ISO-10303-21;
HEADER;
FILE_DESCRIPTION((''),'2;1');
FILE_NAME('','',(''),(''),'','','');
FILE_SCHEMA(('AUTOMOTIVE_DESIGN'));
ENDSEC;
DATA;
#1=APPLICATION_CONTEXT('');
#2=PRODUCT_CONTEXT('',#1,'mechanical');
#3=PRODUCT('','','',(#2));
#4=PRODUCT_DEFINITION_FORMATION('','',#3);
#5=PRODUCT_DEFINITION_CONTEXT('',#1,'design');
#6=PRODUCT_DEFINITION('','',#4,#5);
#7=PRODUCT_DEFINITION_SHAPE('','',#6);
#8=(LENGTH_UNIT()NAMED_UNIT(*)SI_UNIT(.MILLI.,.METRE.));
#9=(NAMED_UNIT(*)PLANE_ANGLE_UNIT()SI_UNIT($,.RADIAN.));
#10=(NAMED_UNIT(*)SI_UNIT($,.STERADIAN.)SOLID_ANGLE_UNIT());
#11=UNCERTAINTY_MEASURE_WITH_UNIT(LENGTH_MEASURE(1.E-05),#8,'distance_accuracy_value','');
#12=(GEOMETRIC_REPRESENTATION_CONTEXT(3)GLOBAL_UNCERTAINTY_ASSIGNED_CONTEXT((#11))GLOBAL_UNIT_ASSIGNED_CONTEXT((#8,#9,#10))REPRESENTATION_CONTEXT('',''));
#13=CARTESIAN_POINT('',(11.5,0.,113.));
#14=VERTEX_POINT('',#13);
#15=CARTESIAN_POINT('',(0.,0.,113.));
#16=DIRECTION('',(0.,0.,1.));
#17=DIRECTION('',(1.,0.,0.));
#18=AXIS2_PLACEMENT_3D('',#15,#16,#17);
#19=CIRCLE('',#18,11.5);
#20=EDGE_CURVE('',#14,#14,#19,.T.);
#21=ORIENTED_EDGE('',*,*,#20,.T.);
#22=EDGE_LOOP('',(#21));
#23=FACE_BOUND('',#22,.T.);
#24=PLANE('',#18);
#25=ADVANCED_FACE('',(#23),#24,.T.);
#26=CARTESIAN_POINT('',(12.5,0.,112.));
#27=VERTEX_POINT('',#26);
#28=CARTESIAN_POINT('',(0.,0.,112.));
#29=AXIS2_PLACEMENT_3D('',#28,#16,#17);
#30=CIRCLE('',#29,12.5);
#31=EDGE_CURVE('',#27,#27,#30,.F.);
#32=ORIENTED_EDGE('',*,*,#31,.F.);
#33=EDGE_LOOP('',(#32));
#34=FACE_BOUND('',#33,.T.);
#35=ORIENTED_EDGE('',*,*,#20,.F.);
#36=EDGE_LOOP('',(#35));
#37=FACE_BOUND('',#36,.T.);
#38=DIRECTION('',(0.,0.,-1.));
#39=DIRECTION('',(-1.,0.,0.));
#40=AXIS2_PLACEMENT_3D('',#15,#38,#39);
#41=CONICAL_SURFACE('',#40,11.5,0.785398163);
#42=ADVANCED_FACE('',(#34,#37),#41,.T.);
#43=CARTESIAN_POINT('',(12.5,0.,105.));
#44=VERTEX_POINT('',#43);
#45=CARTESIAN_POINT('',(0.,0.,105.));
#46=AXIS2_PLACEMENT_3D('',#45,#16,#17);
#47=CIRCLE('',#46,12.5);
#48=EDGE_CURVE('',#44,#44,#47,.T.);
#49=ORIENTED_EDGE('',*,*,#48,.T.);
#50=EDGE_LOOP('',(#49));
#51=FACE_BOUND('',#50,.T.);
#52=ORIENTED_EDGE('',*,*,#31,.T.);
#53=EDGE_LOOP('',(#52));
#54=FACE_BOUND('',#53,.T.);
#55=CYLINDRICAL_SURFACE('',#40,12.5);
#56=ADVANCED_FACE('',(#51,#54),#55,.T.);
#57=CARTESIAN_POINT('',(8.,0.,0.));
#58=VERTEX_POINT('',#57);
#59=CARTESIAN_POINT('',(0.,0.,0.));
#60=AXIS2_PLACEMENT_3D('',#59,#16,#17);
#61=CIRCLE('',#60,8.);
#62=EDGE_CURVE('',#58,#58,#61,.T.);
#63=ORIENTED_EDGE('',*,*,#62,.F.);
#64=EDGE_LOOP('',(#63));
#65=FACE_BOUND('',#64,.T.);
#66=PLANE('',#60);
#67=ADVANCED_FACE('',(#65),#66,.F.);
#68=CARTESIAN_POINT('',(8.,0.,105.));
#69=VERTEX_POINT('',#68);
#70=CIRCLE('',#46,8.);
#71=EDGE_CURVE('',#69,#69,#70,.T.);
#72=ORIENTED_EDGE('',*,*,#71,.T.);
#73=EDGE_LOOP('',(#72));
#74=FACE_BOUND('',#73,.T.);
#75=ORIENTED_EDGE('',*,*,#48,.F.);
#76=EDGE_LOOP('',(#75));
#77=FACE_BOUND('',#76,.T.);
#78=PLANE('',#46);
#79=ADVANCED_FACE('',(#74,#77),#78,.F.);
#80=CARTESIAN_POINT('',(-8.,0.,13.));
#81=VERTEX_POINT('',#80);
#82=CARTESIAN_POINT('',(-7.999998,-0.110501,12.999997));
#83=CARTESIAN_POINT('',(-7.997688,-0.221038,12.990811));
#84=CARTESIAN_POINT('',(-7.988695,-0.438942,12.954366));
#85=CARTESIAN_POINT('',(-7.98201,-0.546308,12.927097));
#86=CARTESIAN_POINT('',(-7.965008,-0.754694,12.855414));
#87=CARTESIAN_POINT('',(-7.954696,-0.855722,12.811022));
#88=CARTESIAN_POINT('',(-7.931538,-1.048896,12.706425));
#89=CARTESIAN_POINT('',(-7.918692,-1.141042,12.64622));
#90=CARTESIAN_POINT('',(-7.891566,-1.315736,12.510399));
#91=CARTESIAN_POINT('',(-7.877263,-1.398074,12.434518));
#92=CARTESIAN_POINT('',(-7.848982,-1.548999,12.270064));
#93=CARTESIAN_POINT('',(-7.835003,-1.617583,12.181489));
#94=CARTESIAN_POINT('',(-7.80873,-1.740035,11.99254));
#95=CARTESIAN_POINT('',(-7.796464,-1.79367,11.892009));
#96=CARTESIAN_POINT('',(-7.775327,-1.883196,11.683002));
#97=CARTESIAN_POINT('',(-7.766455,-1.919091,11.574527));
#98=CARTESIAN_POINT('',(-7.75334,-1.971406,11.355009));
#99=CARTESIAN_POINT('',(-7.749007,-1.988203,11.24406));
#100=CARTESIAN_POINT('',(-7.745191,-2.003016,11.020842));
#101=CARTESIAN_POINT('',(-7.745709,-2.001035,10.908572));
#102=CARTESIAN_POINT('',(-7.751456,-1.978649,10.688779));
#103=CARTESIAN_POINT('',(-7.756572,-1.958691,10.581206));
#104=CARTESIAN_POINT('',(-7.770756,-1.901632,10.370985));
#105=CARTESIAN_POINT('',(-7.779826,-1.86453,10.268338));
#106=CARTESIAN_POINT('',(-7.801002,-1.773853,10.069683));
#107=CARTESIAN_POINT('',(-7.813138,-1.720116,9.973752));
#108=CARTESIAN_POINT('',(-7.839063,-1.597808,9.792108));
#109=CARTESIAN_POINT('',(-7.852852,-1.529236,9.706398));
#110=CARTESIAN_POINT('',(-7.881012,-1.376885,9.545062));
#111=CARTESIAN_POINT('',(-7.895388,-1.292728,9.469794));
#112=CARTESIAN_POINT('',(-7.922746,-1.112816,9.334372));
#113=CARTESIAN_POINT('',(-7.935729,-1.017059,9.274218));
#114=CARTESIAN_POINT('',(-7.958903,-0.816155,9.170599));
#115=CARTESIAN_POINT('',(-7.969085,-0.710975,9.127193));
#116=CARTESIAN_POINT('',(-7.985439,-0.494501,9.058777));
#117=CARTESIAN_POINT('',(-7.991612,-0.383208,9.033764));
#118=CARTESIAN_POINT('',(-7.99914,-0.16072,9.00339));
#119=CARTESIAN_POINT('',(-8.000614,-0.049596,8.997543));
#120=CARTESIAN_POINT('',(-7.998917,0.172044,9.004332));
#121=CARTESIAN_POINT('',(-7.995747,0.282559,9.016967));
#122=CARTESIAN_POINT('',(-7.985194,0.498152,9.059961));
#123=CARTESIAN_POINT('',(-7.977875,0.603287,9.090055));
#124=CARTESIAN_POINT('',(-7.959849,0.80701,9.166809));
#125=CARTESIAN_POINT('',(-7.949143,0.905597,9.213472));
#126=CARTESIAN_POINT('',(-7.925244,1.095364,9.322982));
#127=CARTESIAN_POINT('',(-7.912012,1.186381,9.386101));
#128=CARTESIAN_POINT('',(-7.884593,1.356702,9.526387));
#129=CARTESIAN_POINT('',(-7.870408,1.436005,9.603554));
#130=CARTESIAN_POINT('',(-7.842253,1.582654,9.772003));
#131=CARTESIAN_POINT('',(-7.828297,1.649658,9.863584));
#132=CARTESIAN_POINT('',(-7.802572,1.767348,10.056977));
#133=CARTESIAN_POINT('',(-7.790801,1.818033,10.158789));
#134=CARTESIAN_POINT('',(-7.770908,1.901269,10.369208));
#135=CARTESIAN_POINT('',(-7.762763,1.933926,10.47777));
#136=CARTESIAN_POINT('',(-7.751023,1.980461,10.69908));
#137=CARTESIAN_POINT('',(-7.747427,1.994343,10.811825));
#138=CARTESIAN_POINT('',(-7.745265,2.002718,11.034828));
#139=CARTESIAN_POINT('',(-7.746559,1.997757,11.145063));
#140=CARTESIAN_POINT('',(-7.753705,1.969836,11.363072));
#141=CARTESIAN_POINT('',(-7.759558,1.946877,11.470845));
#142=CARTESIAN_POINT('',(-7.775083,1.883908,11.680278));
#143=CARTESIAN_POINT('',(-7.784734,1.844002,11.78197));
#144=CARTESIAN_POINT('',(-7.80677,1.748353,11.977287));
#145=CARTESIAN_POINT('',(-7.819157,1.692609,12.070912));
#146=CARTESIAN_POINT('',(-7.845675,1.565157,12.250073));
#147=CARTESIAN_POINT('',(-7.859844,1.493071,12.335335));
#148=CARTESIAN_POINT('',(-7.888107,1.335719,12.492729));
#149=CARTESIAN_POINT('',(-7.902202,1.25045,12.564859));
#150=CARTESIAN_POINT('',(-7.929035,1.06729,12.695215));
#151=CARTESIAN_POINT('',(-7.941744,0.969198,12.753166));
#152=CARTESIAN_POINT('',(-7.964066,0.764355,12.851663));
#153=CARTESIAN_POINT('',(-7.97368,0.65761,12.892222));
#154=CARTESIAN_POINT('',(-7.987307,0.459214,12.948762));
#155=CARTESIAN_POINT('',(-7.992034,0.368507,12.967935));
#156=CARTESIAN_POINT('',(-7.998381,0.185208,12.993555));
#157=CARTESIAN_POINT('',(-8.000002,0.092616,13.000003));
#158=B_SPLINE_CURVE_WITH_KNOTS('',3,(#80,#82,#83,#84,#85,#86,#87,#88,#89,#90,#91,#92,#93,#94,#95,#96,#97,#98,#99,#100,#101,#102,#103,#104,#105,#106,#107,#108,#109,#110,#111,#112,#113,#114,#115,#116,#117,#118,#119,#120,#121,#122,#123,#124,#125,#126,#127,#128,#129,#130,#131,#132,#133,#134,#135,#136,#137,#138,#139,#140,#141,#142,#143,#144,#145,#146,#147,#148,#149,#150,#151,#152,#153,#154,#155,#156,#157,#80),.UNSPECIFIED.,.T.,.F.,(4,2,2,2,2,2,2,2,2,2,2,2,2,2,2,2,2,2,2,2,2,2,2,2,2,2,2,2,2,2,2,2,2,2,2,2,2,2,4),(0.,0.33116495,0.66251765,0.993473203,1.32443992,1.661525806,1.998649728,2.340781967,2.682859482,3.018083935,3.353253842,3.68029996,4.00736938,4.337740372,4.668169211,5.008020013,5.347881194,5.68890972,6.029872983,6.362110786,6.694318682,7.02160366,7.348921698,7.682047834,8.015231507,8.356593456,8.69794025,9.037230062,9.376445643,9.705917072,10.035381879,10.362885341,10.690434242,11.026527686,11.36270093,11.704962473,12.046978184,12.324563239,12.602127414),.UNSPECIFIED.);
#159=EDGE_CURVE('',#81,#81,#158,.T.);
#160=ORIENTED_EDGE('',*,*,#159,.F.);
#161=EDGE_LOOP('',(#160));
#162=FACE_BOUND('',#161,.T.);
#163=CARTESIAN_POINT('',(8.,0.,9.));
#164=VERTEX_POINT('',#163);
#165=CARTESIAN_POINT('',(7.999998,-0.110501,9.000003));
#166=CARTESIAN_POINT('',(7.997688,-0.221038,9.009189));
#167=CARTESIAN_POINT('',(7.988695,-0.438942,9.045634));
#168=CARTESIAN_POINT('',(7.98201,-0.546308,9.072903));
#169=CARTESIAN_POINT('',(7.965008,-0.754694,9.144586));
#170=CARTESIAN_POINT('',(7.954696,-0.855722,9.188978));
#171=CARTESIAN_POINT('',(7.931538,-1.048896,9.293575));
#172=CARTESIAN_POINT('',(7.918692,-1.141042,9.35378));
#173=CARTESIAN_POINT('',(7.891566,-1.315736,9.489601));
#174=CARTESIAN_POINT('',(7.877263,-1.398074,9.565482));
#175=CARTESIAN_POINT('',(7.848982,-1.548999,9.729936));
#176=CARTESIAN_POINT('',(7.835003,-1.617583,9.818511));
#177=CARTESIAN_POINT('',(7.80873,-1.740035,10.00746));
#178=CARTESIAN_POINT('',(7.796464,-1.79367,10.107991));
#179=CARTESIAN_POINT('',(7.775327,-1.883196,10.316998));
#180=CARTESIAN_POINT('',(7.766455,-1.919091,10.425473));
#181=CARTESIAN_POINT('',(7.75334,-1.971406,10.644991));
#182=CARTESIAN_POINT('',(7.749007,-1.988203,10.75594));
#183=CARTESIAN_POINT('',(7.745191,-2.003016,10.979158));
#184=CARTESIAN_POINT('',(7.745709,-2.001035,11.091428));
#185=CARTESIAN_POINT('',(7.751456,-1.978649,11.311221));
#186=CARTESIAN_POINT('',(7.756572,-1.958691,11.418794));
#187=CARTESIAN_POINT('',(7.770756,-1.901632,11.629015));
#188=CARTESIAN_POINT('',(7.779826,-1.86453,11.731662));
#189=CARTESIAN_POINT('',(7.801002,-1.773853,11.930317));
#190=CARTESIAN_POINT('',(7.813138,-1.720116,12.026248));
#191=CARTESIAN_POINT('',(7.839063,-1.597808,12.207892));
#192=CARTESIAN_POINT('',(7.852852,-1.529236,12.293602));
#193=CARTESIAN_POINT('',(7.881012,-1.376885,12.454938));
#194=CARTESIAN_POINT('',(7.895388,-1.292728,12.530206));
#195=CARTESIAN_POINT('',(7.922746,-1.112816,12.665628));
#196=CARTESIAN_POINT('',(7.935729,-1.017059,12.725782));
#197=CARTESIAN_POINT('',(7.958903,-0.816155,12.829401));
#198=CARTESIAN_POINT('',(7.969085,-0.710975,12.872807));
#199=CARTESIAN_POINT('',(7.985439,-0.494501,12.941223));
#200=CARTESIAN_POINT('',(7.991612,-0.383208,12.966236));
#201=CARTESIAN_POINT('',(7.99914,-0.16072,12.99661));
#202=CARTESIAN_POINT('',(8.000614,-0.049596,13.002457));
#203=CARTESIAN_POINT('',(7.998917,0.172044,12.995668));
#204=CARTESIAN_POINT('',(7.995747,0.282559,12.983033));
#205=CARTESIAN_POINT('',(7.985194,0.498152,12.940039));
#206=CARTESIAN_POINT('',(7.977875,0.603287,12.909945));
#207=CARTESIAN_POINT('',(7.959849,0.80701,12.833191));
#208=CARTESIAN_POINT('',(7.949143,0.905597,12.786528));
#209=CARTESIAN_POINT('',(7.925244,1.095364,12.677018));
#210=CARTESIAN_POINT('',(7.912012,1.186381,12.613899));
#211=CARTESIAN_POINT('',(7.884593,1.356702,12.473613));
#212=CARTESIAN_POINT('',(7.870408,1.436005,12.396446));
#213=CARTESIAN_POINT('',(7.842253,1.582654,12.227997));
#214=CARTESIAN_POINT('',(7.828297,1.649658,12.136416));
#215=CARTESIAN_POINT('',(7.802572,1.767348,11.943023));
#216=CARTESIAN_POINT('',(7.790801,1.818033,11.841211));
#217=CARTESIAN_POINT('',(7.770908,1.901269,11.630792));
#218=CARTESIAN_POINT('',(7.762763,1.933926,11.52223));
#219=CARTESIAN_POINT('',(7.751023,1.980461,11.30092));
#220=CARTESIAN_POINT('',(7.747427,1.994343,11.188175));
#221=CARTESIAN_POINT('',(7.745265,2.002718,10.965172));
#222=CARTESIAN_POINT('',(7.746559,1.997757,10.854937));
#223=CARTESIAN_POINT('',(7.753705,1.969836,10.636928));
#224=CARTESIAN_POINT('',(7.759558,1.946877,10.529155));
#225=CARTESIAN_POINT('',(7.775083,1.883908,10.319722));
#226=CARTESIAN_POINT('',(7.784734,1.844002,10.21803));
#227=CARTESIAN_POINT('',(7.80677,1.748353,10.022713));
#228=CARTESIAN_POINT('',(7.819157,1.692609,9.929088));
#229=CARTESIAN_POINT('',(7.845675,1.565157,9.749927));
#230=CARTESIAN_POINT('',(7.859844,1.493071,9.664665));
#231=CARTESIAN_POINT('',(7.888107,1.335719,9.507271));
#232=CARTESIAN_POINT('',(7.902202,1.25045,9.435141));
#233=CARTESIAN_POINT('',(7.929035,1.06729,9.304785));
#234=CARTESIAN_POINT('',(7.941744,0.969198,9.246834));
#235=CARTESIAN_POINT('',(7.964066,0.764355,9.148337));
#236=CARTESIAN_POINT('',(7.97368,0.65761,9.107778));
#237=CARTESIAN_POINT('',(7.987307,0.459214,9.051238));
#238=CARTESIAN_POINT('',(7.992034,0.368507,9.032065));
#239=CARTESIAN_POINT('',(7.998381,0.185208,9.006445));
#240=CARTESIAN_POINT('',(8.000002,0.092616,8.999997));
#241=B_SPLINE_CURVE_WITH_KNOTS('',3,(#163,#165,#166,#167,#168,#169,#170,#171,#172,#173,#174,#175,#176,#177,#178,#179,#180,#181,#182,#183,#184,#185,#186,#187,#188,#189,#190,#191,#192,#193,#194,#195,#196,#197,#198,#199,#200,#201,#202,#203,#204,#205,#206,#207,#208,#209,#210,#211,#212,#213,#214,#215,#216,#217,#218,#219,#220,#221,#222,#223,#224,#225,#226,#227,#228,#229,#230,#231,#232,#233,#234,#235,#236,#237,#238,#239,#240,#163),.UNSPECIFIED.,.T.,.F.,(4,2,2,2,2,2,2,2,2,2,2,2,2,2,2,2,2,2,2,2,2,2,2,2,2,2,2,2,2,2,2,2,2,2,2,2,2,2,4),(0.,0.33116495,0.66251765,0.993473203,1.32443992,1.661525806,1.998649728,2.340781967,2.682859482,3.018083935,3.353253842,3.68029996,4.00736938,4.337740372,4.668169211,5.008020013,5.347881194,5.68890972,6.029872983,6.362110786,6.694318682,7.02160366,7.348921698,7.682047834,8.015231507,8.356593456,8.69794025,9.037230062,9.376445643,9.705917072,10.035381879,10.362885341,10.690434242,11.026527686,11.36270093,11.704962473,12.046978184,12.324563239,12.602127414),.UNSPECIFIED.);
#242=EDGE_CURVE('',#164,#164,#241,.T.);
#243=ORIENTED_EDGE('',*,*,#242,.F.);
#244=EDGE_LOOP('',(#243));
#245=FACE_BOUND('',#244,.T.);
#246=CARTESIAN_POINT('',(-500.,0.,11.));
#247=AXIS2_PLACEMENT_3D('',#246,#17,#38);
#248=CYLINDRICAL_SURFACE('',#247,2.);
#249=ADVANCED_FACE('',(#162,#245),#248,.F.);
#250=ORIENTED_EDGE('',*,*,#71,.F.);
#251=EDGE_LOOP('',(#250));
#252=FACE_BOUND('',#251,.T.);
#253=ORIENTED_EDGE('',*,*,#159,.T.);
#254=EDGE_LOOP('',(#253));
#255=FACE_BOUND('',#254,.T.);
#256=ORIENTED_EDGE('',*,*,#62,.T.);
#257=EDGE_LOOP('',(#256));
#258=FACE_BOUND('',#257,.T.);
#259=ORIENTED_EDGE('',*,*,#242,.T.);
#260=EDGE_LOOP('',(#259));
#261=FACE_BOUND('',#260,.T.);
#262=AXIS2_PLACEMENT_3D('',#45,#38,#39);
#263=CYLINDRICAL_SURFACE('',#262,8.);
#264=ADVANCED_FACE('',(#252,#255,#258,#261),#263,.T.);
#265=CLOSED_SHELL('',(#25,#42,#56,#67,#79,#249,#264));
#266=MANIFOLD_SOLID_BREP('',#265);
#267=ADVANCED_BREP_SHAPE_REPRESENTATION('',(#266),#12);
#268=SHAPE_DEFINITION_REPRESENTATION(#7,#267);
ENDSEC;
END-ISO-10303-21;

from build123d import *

# Parameters (mm, degrees)
SKETCH1_R           = 8
BOSS_EXTRUDE1_DEPTH = 105
SKETCH2_R           = 12.5
BOSS_EXTRUDE2_DEPTH = 8
CHAMFER1_SIZE       = 1
SKETCH3_R           = 2
CUT_EXTRUDE1_DEPTH  = 500


with BuildPart() as part:
    # Sketch1 → Boss-Extrude1 (new body)
    with BuildSketch(Plane.XY):
        Circle(SKETCH1_R)
    extrude(amount=BOSS_EXTRUDE1_DEPTH)

    # Sketch2 → Boss-Extrude2 (add)
    with BuildSketch(Plane.XY.offset(105)):
        Circle(SKETCH2_R)
    extrude(amount=BOSS_EXTRUDE2_DEPTH)

    # Chamfer1
    chamfer1_edges = [part.edges().sort_by_distance(p)[0] for p in [
        (-12.5, 0, 113),
    ]]
    chamfer(chamfer1_edges, length=CHAMFER1_SIZE)

    # Sketch3 → Cut-Extrude1 (cut, symmetric)
    with BuildSketch(Plane(origin=(0, 0, 0), x_dir=(0, 0, -1), z_dir=(1, 0, 0))):
        with Locations(Location((-11, 0, 0), (0, 0, 180))):
            Circle(SKETCH3_R)
    extrude(amount=CUT_EXTRUDE1_DEPTH, both=True, mode=Mode.SUBTRACT)


solid = part.part
